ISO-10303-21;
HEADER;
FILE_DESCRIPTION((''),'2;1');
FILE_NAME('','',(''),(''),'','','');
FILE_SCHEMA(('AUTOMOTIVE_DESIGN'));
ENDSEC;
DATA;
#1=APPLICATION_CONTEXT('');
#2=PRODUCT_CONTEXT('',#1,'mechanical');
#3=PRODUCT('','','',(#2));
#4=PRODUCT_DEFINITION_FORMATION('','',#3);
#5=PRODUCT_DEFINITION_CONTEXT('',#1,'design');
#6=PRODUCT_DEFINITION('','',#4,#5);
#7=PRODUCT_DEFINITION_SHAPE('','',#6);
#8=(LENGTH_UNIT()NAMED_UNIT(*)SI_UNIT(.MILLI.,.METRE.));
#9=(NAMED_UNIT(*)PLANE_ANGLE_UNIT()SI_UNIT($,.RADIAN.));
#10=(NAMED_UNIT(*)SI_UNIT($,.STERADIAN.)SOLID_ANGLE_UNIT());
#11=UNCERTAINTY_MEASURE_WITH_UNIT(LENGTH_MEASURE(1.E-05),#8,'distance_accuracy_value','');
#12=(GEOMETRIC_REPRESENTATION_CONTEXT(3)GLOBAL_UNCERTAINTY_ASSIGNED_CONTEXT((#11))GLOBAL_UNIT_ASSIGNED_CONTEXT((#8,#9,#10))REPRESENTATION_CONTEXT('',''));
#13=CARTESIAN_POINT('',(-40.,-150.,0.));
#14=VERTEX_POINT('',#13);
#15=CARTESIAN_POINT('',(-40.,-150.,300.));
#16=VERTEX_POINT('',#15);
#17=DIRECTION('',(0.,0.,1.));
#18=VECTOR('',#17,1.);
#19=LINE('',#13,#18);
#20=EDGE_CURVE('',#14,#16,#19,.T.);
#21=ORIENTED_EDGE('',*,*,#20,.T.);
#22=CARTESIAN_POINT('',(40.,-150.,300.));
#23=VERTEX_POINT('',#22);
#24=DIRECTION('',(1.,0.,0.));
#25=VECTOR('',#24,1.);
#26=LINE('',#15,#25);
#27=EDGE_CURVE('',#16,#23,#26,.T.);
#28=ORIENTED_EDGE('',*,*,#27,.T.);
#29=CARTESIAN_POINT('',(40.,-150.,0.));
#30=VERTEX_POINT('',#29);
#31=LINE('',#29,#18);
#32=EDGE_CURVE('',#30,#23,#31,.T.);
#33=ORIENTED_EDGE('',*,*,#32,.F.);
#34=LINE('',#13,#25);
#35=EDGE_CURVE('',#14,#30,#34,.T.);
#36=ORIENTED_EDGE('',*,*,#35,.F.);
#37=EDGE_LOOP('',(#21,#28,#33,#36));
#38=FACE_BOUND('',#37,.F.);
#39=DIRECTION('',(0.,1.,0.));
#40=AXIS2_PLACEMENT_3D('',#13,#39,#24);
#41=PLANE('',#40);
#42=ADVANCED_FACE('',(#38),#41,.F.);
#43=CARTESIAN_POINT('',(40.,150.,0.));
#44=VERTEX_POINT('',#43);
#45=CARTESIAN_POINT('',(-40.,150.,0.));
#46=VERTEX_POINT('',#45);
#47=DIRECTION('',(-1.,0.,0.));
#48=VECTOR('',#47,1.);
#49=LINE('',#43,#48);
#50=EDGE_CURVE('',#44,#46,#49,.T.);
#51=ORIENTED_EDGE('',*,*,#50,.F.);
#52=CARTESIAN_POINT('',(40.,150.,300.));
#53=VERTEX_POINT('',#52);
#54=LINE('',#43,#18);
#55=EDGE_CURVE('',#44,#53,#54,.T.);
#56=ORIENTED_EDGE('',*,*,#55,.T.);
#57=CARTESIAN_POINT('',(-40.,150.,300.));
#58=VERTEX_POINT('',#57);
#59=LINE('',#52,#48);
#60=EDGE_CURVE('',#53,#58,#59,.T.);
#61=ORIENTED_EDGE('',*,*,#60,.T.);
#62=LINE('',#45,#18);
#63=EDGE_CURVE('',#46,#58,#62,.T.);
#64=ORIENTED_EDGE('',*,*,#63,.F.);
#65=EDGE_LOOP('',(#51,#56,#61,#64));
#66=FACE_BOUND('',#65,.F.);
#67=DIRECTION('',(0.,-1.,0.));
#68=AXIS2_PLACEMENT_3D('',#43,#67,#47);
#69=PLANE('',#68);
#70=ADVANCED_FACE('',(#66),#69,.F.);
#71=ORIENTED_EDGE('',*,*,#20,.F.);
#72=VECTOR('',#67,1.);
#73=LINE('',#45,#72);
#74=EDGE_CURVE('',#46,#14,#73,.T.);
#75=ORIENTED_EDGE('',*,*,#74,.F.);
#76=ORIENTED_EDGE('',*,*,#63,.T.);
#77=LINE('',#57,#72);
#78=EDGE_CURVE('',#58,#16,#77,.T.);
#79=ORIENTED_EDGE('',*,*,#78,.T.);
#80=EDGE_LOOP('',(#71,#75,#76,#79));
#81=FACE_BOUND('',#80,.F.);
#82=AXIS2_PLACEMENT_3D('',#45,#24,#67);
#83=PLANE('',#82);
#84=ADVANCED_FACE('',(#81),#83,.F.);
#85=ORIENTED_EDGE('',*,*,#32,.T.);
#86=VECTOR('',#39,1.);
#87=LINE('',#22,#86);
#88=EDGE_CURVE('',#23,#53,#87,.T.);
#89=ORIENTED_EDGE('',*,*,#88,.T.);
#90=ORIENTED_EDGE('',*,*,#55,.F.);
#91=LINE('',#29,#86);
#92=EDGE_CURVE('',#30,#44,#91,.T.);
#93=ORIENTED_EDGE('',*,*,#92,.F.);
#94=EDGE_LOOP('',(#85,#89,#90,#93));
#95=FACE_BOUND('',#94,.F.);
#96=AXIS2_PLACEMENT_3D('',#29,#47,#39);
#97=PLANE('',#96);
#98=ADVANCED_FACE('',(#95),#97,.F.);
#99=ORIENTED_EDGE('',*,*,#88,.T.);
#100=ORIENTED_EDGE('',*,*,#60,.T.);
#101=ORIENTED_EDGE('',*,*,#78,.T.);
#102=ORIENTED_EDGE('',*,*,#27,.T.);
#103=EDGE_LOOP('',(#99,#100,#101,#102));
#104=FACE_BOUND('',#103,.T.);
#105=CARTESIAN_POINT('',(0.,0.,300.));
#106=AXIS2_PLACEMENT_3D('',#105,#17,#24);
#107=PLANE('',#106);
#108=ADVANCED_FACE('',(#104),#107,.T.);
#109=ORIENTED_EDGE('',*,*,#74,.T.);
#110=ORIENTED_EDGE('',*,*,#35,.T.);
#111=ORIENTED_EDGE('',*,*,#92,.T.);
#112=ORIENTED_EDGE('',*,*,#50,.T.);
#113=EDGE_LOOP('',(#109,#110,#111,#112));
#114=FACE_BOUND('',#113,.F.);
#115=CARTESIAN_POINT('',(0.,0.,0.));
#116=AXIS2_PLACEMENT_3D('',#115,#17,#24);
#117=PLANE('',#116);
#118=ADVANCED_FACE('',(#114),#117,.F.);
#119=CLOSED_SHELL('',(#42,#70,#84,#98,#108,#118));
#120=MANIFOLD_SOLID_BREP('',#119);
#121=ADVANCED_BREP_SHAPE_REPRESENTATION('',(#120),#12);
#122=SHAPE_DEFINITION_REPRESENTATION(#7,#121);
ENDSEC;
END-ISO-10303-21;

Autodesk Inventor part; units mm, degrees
ref_plane "YZ Plane" through (0, 0, 0) normal (1, 0, 0) x (0, 1, 0)
ref_plane "XZ Plane" through (0, 0, 0) normal (0, 1, 0) x (-1, 0, 0)
ref_plane "XY Plane" through (0, 0, 0) normal (0, 0, 1) x (1, 0, 0)
sketch "Sketch1" plane through (0, 0, 0) normal (0, 0, 1) x (1, 0, 0)
  point P0 (0, 0)
sketch "Sketch2" plane through (0, 0, 0) normal (0, 0, 1) x (1, 0, 0)
  line L0 (-40, -150) -> (40, -150)
  line L1 (40, -150) -> (40, 150)
  line L2 (40, 150) -> (-40, 150)
  line L3 (-40, 150) -> (-40, -150)
  line L4 (-40, -150) -> (40, 150) construction
  line L5 (40, -150) -> (-40, 150) construction
  point P0 (0, 0)
  dimension "d0" = 300
  dimension "d1" = 80
extrude "Extrusion1" add sketch "Sketch2" along normal blind 300
ref_plane "Work Plane1" through (0, -150, 0) normal (1, 0, 0) x (0, 0, -1)
properties part number "BlockedZone"
